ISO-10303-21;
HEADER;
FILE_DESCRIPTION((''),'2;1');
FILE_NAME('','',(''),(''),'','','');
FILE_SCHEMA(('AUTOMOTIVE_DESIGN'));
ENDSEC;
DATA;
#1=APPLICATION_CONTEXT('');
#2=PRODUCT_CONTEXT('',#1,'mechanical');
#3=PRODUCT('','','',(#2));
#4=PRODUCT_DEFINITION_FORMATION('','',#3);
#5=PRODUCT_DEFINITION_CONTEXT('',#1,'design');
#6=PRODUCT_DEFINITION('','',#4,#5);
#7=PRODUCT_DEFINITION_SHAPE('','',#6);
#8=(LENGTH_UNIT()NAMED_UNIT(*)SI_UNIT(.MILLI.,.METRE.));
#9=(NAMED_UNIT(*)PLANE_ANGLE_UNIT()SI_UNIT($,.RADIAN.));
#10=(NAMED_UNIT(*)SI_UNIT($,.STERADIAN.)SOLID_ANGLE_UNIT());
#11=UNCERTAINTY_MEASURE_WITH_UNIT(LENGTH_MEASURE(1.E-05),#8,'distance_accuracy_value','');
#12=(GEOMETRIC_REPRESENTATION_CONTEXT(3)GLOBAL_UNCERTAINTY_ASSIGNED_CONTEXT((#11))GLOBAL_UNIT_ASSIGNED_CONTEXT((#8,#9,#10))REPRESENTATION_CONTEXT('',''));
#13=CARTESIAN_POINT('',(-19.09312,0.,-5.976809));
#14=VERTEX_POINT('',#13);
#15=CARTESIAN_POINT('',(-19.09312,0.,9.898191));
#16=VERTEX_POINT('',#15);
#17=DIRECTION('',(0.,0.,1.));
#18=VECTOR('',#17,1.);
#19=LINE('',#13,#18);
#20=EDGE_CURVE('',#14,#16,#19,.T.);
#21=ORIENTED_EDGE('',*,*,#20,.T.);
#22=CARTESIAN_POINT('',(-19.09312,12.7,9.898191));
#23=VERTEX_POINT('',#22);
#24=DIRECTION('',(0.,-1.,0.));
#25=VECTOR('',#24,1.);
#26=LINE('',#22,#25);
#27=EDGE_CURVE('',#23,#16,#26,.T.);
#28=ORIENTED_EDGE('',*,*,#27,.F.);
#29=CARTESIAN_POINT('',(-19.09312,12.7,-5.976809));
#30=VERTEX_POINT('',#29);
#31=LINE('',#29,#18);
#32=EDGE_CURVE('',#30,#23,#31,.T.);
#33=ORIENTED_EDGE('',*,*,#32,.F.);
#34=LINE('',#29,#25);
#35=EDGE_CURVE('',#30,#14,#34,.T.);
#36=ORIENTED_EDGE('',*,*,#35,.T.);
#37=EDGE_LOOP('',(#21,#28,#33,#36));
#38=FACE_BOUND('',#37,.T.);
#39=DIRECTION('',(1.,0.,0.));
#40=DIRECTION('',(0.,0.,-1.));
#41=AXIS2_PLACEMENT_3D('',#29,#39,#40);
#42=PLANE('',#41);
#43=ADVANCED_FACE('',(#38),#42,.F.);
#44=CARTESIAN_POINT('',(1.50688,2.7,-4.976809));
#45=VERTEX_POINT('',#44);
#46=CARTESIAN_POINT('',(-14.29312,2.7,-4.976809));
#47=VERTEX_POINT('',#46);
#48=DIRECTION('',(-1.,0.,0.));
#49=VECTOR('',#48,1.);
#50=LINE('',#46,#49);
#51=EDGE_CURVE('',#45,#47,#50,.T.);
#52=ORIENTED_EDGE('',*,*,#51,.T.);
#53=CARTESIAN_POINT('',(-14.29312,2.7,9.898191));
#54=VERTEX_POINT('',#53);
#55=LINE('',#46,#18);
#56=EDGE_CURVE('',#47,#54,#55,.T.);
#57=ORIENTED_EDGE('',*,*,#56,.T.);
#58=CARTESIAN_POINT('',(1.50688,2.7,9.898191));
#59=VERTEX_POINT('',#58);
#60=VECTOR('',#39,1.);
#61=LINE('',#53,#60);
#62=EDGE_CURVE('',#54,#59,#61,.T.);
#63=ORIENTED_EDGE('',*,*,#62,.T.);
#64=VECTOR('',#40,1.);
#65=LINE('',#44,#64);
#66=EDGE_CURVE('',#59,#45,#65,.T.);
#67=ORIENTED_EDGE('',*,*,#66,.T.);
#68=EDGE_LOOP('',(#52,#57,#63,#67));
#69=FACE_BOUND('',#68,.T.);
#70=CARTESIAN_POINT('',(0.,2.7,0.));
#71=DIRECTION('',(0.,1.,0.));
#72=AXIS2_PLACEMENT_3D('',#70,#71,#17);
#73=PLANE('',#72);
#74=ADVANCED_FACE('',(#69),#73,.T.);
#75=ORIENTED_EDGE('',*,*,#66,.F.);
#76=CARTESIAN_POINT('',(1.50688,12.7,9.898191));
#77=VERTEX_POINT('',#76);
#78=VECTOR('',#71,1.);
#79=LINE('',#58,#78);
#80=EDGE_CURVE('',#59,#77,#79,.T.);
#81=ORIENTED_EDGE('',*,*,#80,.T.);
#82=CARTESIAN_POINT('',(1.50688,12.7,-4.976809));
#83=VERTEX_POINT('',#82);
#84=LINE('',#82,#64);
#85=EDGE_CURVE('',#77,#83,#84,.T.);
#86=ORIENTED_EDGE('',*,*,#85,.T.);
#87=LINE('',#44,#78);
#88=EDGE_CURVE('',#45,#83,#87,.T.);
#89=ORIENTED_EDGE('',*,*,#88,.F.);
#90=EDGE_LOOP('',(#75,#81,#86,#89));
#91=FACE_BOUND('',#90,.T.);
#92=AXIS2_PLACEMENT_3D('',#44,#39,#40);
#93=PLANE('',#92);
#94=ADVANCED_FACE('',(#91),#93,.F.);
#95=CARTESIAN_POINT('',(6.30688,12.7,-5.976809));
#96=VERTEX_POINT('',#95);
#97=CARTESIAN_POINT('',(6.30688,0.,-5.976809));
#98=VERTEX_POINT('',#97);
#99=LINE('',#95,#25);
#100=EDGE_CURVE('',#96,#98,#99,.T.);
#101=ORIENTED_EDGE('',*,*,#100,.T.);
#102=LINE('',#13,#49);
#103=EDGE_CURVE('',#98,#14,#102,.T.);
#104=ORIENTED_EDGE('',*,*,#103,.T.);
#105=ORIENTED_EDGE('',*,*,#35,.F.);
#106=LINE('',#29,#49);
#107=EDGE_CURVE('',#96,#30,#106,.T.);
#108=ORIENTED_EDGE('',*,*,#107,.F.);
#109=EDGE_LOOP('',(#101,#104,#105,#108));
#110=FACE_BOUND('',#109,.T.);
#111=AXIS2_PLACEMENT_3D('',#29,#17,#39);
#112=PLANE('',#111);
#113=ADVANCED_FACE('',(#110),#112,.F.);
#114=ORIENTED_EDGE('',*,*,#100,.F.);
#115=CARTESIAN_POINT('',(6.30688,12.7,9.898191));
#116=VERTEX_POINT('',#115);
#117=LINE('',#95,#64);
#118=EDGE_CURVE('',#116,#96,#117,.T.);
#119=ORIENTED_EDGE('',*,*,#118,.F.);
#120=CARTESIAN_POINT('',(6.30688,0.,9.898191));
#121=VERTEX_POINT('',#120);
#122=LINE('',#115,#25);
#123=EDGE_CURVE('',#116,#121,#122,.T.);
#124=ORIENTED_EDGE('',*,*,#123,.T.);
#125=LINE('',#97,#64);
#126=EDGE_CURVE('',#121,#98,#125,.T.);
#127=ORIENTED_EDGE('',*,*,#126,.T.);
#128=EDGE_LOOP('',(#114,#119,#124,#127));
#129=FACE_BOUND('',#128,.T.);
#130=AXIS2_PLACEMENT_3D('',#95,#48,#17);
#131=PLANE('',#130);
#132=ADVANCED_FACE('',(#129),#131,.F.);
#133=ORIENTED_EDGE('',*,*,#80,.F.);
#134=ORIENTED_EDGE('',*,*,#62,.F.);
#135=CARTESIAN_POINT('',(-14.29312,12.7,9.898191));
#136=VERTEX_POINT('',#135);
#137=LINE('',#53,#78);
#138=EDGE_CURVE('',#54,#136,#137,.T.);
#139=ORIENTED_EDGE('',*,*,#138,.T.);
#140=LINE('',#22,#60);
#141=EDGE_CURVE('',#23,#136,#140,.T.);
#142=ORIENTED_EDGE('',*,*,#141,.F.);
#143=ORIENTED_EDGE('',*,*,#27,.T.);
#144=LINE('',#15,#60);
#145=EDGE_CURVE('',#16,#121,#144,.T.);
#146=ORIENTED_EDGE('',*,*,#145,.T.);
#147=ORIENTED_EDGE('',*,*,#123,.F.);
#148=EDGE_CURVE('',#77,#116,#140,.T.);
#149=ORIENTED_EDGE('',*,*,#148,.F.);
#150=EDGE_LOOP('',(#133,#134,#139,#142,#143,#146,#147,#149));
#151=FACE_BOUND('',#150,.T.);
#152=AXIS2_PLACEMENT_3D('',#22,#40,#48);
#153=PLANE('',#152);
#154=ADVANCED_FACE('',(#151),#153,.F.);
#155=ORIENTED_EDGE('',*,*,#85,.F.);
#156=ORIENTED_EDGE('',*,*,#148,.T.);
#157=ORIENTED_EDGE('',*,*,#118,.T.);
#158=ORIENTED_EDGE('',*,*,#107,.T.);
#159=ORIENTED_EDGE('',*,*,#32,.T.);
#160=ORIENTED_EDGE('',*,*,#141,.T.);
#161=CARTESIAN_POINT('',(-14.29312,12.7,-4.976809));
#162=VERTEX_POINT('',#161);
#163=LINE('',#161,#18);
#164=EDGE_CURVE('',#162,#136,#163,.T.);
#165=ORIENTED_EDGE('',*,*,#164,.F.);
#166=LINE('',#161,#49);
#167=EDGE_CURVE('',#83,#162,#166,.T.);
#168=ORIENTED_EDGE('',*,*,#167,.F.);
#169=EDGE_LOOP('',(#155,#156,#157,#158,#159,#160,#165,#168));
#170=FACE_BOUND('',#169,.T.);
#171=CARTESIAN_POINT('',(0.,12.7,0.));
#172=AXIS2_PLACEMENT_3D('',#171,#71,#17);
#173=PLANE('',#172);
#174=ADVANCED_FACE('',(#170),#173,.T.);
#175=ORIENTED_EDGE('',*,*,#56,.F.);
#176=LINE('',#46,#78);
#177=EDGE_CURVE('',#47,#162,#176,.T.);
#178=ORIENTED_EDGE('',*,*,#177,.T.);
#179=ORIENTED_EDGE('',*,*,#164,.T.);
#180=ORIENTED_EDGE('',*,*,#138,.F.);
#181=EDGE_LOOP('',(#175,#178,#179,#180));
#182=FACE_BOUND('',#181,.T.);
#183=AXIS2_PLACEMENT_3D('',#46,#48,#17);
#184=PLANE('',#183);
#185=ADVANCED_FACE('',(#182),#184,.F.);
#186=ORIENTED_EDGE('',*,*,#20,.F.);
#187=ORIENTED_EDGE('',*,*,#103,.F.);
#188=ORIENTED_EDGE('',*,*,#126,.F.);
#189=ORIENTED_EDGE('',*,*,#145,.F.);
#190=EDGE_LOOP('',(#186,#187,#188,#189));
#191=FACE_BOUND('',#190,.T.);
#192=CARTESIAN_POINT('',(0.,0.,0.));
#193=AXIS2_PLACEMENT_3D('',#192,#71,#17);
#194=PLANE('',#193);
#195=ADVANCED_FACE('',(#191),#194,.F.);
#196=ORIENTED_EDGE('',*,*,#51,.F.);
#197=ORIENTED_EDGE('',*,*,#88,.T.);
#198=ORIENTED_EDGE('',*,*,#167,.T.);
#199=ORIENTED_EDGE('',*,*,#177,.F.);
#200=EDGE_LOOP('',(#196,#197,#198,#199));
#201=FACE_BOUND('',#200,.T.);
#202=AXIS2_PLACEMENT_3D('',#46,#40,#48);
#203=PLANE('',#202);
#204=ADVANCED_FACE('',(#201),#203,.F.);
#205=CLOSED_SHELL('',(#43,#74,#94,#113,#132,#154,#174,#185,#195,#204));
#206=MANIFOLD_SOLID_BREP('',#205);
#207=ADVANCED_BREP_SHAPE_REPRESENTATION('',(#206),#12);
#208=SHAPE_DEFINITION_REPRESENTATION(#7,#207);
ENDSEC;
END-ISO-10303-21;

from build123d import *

# Parameters (mm, degrees)
SKETCH1_W           = 25.4
SKETCH1_H           = 15.875
BOSS_EXTRUDE1_DEPTH = 12.7
SKETCH2_W           = 15.8
SKETCH2_H           = 14.875
CUT_EXTRUDE1_DEPTH  = 10


with BuildPart() as part:
    # Sketch1 → Boss-Extrude1 (new body)
    with BuildSketch(Plane(origin=(0, 0, 0), x_dir=(1, 0, 0), z_dir=(0, 1, 0))):
        with Locations((-6.393120273, -1.960690549)):
            Rectangle(SKETCH1_W, SKETCH1_H)
    extrude(amount=BOSS_EXTRUDE1_DEPTH)

    # Sketch2 → Cut-Extrude1 (cut)
    with BuildSketch(Plane(origin=(0, 12.7, 0), x_dir=(1, 0, 0), z_dir=(0, 1, 0))):
        with Locations((-6.393120273, -2.460690549)):
            Rectangle(SKETCH2_W, SKETCH2_H)
    extrude(amount=-CUT_EXTRUDE1_DEPTH, mode=Mode.SUBTRACT)


solid = part.part
